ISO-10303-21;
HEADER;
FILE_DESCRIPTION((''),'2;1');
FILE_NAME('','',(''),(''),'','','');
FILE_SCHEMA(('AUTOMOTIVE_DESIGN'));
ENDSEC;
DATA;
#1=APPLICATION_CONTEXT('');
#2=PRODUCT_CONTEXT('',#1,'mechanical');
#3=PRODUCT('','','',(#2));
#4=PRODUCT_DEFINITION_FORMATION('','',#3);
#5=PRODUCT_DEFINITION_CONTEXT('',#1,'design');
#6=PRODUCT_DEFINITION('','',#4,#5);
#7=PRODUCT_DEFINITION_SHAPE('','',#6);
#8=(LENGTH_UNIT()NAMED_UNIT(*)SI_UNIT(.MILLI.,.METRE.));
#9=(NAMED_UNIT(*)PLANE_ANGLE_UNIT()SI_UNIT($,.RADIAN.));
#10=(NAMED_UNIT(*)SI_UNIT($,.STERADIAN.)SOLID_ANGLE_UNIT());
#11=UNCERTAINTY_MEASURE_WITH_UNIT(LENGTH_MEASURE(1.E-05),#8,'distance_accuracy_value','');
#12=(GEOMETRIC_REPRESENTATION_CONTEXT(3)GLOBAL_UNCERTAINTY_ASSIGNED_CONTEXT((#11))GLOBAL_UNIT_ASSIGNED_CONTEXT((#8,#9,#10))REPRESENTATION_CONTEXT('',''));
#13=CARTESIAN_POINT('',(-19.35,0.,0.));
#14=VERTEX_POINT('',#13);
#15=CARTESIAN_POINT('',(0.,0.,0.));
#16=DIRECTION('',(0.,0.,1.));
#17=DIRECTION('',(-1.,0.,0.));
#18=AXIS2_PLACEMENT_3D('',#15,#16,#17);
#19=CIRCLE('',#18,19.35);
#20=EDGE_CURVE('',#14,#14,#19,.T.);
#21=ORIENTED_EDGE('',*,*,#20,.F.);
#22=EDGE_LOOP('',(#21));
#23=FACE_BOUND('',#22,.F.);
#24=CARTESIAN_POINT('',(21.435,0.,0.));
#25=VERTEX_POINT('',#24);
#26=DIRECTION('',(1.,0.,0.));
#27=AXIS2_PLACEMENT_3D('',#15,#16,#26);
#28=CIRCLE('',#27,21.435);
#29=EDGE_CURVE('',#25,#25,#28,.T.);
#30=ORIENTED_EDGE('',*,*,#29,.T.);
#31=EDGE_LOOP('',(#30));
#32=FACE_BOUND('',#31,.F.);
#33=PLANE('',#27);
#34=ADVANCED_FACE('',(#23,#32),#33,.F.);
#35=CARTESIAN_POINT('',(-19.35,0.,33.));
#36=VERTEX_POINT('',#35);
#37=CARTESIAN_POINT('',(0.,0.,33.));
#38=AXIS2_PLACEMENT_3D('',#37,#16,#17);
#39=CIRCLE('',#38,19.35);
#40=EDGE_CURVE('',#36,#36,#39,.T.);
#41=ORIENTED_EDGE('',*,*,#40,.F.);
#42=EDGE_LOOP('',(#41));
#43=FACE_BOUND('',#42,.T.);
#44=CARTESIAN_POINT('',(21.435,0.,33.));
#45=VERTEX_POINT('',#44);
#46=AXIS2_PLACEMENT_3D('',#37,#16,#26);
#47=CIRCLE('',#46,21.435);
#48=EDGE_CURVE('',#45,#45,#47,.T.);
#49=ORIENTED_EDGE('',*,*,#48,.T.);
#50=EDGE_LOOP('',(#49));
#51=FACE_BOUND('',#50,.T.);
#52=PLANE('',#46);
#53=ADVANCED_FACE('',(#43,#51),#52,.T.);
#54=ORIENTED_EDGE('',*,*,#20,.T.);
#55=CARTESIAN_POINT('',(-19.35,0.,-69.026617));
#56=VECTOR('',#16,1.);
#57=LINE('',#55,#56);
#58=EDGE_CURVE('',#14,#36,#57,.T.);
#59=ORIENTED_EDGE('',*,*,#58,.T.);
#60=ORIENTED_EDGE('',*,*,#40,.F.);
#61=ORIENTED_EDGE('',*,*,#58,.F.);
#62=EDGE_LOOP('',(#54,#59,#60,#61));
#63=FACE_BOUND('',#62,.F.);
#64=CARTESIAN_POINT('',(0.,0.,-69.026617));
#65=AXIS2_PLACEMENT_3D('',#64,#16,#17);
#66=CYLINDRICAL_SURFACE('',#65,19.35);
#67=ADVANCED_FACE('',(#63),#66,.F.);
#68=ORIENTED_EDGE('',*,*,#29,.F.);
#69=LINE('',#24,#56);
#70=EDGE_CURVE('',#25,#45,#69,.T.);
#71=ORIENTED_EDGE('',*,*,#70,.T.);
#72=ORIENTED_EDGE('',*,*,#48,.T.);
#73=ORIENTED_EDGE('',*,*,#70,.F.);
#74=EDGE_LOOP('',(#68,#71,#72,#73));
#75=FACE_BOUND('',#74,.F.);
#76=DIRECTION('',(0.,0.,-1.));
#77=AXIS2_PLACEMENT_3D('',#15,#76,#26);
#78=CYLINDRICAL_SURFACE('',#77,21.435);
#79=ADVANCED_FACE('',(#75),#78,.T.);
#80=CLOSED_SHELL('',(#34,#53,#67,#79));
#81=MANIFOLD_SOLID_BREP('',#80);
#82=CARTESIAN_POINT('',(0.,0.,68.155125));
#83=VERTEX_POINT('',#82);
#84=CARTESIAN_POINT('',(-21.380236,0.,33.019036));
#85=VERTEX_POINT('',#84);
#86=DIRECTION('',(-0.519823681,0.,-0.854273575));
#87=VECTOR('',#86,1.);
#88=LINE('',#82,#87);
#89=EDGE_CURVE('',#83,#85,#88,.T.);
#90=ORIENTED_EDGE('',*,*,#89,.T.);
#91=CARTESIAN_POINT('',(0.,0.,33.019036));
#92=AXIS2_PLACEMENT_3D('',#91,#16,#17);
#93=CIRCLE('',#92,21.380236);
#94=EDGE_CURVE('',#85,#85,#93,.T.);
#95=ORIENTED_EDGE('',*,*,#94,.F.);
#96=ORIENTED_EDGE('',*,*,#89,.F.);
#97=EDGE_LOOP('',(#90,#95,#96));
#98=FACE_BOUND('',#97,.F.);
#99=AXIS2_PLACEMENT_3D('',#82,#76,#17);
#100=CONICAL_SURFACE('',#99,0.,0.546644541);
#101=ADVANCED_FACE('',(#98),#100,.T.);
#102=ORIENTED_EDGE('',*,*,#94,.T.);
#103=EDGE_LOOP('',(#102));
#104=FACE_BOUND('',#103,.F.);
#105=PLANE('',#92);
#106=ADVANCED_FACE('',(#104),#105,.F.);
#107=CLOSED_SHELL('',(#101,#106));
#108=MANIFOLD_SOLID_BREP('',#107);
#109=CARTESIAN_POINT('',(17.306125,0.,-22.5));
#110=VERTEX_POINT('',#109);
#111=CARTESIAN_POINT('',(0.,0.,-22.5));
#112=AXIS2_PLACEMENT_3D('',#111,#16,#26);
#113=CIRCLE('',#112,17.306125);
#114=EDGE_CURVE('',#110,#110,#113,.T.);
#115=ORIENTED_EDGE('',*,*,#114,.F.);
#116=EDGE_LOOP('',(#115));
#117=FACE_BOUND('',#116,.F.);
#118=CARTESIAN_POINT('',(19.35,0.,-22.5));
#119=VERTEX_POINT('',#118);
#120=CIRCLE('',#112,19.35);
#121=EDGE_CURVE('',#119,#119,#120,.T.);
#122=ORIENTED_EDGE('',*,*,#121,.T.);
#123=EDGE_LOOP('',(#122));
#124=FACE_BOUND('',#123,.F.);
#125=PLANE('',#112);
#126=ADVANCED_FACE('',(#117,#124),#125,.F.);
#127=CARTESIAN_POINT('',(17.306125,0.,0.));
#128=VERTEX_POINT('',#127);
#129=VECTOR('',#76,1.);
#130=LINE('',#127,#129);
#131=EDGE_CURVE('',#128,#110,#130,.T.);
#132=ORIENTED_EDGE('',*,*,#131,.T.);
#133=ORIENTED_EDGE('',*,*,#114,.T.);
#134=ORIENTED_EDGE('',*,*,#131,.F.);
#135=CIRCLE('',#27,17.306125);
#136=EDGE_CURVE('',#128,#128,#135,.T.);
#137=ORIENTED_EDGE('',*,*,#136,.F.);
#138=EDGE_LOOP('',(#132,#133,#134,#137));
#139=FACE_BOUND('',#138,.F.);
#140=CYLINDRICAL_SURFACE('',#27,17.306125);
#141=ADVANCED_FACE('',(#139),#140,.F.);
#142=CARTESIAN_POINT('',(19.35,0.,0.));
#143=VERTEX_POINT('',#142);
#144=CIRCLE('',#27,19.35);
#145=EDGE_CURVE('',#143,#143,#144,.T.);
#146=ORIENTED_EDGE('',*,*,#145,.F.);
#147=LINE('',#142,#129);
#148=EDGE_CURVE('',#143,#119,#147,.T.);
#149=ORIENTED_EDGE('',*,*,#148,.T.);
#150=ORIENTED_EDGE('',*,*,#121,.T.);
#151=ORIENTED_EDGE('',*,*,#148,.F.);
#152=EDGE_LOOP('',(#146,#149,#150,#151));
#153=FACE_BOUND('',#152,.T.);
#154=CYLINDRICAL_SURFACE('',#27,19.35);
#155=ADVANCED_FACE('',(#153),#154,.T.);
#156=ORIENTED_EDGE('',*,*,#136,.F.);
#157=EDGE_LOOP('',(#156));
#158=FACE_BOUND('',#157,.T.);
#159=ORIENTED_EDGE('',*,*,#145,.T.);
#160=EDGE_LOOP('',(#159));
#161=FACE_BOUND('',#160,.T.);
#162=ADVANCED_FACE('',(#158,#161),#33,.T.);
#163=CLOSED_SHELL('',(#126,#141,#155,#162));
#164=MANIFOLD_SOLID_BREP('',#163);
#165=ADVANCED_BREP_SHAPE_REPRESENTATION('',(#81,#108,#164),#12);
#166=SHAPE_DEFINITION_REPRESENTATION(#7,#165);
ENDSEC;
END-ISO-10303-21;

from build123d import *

# Parameters (mm, degrees)
F0_R      = 21.435
F1_DEPTH  = 33
F3_D      = 38.7
F5_R      = 19.35
F5_R_2    = 17.30612453
F6_DEPTH  = 22.5
F9_R      = 30.1459456729
F9_R_2    = 21.435
F10_DEPTH = 71.5


with BuildPart() as f1:
    # F0 (on Top) → F1 (new body)
    with BuildSketch(Plane.XY):
        Circle(F0_R)
    extrude(amount=F1_DEPTH)

    # F3 (through all)
    with Locations(Plane(origin=(0, 0, 0), x_dir=(1, 0, 0), z_dir=(0, 0, -1))):
        with Locations((0, 0)):
            Hole(F3_D / 2)

    # F9 (on face) → F10 (cut)
    with BuildSketch(Plane.XY.offset(33)):
        Circle(F9_R)
        Circle(F9_R_2, mode=Mode.SUBTRACT)
    extrude(amount=-F10_DEPTH, mode=Mode.SUBTRACT)


with BuildPart() as f6:
    # F5 (on Top) → F6 (new body)
    with BuildSketch(Plane.XY):
        Circle(F5_R)
        Circle(F5_R_2, mode=Mode.SUBTRACT)
    extrude(amount=-F6_DEPTH)


with BuildPart() as f8:
    # F7 (on Front) → F8 (revolve)
    with BuildSketch(Plane.XZ):
        Polygon((0, 68.1551247835), (-21.3802363724, 33.0190360546), (0, 33.0190360546), align=None)
    revolve(axis=Axis((0, 0, 16.2957850844), (0, 0, 1)))


solid = Compound([f1.part, f6.part, f8.part])
